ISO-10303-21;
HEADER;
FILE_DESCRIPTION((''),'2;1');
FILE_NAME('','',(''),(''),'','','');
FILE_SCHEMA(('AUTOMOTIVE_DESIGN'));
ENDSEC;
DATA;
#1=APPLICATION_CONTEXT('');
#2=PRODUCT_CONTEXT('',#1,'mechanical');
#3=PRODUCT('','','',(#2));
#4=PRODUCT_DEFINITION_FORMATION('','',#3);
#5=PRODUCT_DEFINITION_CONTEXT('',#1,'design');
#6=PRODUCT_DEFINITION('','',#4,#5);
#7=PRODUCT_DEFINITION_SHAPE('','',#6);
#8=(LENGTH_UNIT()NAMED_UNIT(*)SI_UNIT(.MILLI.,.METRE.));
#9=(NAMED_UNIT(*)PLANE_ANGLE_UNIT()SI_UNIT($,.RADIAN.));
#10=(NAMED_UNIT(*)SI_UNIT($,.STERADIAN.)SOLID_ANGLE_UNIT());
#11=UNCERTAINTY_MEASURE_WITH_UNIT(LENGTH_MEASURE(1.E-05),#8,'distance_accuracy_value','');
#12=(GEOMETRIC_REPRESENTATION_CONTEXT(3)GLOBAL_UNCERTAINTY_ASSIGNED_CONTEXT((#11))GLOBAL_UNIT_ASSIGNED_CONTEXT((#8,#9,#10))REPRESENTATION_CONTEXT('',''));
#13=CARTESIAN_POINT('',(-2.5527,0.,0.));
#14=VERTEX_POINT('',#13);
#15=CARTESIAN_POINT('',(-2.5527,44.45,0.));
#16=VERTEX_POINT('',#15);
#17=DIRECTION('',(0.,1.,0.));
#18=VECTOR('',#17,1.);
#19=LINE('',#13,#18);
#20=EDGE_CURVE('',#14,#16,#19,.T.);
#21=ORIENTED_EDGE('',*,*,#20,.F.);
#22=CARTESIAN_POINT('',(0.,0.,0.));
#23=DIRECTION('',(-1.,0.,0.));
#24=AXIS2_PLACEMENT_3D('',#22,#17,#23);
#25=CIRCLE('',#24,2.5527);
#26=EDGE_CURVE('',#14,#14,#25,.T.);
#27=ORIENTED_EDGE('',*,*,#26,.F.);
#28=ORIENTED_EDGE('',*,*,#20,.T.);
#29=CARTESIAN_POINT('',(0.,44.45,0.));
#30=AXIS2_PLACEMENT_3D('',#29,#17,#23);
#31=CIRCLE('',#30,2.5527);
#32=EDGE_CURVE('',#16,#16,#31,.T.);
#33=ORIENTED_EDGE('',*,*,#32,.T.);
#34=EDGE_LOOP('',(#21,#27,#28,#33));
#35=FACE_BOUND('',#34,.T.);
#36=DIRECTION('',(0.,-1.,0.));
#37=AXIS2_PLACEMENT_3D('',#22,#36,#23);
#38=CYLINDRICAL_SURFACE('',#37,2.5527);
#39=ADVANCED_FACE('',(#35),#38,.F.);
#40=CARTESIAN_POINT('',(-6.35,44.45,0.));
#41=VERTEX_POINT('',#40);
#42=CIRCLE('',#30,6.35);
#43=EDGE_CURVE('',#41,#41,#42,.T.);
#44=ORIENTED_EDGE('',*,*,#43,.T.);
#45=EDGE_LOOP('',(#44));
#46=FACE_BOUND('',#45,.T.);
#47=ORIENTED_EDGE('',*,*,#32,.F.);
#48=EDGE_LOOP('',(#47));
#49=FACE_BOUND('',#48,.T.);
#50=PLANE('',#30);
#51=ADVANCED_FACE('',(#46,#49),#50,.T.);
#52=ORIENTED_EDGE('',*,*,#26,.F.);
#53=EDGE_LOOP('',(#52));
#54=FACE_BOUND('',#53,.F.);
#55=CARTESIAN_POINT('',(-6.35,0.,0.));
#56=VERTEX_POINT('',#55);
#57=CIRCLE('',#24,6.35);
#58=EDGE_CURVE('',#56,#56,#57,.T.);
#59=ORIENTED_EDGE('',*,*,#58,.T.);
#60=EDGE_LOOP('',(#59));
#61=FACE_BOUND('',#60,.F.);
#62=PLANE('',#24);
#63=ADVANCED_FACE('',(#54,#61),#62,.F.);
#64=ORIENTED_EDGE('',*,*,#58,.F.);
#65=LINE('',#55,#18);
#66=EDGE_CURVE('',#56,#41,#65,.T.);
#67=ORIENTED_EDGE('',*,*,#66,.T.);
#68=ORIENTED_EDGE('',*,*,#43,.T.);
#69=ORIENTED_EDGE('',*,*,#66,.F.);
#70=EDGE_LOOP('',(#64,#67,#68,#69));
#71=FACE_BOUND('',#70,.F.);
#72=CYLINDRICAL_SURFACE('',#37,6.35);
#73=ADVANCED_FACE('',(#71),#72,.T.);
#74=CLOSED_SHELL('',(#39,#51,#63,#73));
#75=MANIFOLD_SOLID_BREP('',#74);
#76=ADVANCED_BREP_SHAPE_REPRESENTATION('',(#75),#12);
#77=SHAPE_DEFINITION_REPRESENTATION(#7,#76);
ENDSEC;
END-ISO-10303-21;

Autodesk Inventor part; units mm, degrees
ref_plane "YZ Plane" through (0, 0, 0) normal (1, 0, 0) x (0, 1, 0)
ref_plane "XZ Plane" through (0, 0, 0) normal (0, 1, 0) x (-1, 0, 0)
ref_plane "XY Plane" through (0, 0, 0) normal (0, 0, 1) x (1, 0, 0)
sketch "Sketch1" plane through (0, 0, 0) normal (0, 1, 0) x (-1, 0, 0)
  circle A0 centre (0, 0) radius 6.35
  circle A1 centre (0, 0) radius 2.5527
  dimension "d0" = 12.7
  dimension "d1" = 5.1054
extrude "Extrusion1" add sketch "Sketch1" along normal blind 44.45
thread "Thread1" size "1/4-20 UNC" class "2B" standard "ANSI Unified Screw Threads" full length
properties part number "CLIM_005_Shaft" material "Aluminum 6061"
